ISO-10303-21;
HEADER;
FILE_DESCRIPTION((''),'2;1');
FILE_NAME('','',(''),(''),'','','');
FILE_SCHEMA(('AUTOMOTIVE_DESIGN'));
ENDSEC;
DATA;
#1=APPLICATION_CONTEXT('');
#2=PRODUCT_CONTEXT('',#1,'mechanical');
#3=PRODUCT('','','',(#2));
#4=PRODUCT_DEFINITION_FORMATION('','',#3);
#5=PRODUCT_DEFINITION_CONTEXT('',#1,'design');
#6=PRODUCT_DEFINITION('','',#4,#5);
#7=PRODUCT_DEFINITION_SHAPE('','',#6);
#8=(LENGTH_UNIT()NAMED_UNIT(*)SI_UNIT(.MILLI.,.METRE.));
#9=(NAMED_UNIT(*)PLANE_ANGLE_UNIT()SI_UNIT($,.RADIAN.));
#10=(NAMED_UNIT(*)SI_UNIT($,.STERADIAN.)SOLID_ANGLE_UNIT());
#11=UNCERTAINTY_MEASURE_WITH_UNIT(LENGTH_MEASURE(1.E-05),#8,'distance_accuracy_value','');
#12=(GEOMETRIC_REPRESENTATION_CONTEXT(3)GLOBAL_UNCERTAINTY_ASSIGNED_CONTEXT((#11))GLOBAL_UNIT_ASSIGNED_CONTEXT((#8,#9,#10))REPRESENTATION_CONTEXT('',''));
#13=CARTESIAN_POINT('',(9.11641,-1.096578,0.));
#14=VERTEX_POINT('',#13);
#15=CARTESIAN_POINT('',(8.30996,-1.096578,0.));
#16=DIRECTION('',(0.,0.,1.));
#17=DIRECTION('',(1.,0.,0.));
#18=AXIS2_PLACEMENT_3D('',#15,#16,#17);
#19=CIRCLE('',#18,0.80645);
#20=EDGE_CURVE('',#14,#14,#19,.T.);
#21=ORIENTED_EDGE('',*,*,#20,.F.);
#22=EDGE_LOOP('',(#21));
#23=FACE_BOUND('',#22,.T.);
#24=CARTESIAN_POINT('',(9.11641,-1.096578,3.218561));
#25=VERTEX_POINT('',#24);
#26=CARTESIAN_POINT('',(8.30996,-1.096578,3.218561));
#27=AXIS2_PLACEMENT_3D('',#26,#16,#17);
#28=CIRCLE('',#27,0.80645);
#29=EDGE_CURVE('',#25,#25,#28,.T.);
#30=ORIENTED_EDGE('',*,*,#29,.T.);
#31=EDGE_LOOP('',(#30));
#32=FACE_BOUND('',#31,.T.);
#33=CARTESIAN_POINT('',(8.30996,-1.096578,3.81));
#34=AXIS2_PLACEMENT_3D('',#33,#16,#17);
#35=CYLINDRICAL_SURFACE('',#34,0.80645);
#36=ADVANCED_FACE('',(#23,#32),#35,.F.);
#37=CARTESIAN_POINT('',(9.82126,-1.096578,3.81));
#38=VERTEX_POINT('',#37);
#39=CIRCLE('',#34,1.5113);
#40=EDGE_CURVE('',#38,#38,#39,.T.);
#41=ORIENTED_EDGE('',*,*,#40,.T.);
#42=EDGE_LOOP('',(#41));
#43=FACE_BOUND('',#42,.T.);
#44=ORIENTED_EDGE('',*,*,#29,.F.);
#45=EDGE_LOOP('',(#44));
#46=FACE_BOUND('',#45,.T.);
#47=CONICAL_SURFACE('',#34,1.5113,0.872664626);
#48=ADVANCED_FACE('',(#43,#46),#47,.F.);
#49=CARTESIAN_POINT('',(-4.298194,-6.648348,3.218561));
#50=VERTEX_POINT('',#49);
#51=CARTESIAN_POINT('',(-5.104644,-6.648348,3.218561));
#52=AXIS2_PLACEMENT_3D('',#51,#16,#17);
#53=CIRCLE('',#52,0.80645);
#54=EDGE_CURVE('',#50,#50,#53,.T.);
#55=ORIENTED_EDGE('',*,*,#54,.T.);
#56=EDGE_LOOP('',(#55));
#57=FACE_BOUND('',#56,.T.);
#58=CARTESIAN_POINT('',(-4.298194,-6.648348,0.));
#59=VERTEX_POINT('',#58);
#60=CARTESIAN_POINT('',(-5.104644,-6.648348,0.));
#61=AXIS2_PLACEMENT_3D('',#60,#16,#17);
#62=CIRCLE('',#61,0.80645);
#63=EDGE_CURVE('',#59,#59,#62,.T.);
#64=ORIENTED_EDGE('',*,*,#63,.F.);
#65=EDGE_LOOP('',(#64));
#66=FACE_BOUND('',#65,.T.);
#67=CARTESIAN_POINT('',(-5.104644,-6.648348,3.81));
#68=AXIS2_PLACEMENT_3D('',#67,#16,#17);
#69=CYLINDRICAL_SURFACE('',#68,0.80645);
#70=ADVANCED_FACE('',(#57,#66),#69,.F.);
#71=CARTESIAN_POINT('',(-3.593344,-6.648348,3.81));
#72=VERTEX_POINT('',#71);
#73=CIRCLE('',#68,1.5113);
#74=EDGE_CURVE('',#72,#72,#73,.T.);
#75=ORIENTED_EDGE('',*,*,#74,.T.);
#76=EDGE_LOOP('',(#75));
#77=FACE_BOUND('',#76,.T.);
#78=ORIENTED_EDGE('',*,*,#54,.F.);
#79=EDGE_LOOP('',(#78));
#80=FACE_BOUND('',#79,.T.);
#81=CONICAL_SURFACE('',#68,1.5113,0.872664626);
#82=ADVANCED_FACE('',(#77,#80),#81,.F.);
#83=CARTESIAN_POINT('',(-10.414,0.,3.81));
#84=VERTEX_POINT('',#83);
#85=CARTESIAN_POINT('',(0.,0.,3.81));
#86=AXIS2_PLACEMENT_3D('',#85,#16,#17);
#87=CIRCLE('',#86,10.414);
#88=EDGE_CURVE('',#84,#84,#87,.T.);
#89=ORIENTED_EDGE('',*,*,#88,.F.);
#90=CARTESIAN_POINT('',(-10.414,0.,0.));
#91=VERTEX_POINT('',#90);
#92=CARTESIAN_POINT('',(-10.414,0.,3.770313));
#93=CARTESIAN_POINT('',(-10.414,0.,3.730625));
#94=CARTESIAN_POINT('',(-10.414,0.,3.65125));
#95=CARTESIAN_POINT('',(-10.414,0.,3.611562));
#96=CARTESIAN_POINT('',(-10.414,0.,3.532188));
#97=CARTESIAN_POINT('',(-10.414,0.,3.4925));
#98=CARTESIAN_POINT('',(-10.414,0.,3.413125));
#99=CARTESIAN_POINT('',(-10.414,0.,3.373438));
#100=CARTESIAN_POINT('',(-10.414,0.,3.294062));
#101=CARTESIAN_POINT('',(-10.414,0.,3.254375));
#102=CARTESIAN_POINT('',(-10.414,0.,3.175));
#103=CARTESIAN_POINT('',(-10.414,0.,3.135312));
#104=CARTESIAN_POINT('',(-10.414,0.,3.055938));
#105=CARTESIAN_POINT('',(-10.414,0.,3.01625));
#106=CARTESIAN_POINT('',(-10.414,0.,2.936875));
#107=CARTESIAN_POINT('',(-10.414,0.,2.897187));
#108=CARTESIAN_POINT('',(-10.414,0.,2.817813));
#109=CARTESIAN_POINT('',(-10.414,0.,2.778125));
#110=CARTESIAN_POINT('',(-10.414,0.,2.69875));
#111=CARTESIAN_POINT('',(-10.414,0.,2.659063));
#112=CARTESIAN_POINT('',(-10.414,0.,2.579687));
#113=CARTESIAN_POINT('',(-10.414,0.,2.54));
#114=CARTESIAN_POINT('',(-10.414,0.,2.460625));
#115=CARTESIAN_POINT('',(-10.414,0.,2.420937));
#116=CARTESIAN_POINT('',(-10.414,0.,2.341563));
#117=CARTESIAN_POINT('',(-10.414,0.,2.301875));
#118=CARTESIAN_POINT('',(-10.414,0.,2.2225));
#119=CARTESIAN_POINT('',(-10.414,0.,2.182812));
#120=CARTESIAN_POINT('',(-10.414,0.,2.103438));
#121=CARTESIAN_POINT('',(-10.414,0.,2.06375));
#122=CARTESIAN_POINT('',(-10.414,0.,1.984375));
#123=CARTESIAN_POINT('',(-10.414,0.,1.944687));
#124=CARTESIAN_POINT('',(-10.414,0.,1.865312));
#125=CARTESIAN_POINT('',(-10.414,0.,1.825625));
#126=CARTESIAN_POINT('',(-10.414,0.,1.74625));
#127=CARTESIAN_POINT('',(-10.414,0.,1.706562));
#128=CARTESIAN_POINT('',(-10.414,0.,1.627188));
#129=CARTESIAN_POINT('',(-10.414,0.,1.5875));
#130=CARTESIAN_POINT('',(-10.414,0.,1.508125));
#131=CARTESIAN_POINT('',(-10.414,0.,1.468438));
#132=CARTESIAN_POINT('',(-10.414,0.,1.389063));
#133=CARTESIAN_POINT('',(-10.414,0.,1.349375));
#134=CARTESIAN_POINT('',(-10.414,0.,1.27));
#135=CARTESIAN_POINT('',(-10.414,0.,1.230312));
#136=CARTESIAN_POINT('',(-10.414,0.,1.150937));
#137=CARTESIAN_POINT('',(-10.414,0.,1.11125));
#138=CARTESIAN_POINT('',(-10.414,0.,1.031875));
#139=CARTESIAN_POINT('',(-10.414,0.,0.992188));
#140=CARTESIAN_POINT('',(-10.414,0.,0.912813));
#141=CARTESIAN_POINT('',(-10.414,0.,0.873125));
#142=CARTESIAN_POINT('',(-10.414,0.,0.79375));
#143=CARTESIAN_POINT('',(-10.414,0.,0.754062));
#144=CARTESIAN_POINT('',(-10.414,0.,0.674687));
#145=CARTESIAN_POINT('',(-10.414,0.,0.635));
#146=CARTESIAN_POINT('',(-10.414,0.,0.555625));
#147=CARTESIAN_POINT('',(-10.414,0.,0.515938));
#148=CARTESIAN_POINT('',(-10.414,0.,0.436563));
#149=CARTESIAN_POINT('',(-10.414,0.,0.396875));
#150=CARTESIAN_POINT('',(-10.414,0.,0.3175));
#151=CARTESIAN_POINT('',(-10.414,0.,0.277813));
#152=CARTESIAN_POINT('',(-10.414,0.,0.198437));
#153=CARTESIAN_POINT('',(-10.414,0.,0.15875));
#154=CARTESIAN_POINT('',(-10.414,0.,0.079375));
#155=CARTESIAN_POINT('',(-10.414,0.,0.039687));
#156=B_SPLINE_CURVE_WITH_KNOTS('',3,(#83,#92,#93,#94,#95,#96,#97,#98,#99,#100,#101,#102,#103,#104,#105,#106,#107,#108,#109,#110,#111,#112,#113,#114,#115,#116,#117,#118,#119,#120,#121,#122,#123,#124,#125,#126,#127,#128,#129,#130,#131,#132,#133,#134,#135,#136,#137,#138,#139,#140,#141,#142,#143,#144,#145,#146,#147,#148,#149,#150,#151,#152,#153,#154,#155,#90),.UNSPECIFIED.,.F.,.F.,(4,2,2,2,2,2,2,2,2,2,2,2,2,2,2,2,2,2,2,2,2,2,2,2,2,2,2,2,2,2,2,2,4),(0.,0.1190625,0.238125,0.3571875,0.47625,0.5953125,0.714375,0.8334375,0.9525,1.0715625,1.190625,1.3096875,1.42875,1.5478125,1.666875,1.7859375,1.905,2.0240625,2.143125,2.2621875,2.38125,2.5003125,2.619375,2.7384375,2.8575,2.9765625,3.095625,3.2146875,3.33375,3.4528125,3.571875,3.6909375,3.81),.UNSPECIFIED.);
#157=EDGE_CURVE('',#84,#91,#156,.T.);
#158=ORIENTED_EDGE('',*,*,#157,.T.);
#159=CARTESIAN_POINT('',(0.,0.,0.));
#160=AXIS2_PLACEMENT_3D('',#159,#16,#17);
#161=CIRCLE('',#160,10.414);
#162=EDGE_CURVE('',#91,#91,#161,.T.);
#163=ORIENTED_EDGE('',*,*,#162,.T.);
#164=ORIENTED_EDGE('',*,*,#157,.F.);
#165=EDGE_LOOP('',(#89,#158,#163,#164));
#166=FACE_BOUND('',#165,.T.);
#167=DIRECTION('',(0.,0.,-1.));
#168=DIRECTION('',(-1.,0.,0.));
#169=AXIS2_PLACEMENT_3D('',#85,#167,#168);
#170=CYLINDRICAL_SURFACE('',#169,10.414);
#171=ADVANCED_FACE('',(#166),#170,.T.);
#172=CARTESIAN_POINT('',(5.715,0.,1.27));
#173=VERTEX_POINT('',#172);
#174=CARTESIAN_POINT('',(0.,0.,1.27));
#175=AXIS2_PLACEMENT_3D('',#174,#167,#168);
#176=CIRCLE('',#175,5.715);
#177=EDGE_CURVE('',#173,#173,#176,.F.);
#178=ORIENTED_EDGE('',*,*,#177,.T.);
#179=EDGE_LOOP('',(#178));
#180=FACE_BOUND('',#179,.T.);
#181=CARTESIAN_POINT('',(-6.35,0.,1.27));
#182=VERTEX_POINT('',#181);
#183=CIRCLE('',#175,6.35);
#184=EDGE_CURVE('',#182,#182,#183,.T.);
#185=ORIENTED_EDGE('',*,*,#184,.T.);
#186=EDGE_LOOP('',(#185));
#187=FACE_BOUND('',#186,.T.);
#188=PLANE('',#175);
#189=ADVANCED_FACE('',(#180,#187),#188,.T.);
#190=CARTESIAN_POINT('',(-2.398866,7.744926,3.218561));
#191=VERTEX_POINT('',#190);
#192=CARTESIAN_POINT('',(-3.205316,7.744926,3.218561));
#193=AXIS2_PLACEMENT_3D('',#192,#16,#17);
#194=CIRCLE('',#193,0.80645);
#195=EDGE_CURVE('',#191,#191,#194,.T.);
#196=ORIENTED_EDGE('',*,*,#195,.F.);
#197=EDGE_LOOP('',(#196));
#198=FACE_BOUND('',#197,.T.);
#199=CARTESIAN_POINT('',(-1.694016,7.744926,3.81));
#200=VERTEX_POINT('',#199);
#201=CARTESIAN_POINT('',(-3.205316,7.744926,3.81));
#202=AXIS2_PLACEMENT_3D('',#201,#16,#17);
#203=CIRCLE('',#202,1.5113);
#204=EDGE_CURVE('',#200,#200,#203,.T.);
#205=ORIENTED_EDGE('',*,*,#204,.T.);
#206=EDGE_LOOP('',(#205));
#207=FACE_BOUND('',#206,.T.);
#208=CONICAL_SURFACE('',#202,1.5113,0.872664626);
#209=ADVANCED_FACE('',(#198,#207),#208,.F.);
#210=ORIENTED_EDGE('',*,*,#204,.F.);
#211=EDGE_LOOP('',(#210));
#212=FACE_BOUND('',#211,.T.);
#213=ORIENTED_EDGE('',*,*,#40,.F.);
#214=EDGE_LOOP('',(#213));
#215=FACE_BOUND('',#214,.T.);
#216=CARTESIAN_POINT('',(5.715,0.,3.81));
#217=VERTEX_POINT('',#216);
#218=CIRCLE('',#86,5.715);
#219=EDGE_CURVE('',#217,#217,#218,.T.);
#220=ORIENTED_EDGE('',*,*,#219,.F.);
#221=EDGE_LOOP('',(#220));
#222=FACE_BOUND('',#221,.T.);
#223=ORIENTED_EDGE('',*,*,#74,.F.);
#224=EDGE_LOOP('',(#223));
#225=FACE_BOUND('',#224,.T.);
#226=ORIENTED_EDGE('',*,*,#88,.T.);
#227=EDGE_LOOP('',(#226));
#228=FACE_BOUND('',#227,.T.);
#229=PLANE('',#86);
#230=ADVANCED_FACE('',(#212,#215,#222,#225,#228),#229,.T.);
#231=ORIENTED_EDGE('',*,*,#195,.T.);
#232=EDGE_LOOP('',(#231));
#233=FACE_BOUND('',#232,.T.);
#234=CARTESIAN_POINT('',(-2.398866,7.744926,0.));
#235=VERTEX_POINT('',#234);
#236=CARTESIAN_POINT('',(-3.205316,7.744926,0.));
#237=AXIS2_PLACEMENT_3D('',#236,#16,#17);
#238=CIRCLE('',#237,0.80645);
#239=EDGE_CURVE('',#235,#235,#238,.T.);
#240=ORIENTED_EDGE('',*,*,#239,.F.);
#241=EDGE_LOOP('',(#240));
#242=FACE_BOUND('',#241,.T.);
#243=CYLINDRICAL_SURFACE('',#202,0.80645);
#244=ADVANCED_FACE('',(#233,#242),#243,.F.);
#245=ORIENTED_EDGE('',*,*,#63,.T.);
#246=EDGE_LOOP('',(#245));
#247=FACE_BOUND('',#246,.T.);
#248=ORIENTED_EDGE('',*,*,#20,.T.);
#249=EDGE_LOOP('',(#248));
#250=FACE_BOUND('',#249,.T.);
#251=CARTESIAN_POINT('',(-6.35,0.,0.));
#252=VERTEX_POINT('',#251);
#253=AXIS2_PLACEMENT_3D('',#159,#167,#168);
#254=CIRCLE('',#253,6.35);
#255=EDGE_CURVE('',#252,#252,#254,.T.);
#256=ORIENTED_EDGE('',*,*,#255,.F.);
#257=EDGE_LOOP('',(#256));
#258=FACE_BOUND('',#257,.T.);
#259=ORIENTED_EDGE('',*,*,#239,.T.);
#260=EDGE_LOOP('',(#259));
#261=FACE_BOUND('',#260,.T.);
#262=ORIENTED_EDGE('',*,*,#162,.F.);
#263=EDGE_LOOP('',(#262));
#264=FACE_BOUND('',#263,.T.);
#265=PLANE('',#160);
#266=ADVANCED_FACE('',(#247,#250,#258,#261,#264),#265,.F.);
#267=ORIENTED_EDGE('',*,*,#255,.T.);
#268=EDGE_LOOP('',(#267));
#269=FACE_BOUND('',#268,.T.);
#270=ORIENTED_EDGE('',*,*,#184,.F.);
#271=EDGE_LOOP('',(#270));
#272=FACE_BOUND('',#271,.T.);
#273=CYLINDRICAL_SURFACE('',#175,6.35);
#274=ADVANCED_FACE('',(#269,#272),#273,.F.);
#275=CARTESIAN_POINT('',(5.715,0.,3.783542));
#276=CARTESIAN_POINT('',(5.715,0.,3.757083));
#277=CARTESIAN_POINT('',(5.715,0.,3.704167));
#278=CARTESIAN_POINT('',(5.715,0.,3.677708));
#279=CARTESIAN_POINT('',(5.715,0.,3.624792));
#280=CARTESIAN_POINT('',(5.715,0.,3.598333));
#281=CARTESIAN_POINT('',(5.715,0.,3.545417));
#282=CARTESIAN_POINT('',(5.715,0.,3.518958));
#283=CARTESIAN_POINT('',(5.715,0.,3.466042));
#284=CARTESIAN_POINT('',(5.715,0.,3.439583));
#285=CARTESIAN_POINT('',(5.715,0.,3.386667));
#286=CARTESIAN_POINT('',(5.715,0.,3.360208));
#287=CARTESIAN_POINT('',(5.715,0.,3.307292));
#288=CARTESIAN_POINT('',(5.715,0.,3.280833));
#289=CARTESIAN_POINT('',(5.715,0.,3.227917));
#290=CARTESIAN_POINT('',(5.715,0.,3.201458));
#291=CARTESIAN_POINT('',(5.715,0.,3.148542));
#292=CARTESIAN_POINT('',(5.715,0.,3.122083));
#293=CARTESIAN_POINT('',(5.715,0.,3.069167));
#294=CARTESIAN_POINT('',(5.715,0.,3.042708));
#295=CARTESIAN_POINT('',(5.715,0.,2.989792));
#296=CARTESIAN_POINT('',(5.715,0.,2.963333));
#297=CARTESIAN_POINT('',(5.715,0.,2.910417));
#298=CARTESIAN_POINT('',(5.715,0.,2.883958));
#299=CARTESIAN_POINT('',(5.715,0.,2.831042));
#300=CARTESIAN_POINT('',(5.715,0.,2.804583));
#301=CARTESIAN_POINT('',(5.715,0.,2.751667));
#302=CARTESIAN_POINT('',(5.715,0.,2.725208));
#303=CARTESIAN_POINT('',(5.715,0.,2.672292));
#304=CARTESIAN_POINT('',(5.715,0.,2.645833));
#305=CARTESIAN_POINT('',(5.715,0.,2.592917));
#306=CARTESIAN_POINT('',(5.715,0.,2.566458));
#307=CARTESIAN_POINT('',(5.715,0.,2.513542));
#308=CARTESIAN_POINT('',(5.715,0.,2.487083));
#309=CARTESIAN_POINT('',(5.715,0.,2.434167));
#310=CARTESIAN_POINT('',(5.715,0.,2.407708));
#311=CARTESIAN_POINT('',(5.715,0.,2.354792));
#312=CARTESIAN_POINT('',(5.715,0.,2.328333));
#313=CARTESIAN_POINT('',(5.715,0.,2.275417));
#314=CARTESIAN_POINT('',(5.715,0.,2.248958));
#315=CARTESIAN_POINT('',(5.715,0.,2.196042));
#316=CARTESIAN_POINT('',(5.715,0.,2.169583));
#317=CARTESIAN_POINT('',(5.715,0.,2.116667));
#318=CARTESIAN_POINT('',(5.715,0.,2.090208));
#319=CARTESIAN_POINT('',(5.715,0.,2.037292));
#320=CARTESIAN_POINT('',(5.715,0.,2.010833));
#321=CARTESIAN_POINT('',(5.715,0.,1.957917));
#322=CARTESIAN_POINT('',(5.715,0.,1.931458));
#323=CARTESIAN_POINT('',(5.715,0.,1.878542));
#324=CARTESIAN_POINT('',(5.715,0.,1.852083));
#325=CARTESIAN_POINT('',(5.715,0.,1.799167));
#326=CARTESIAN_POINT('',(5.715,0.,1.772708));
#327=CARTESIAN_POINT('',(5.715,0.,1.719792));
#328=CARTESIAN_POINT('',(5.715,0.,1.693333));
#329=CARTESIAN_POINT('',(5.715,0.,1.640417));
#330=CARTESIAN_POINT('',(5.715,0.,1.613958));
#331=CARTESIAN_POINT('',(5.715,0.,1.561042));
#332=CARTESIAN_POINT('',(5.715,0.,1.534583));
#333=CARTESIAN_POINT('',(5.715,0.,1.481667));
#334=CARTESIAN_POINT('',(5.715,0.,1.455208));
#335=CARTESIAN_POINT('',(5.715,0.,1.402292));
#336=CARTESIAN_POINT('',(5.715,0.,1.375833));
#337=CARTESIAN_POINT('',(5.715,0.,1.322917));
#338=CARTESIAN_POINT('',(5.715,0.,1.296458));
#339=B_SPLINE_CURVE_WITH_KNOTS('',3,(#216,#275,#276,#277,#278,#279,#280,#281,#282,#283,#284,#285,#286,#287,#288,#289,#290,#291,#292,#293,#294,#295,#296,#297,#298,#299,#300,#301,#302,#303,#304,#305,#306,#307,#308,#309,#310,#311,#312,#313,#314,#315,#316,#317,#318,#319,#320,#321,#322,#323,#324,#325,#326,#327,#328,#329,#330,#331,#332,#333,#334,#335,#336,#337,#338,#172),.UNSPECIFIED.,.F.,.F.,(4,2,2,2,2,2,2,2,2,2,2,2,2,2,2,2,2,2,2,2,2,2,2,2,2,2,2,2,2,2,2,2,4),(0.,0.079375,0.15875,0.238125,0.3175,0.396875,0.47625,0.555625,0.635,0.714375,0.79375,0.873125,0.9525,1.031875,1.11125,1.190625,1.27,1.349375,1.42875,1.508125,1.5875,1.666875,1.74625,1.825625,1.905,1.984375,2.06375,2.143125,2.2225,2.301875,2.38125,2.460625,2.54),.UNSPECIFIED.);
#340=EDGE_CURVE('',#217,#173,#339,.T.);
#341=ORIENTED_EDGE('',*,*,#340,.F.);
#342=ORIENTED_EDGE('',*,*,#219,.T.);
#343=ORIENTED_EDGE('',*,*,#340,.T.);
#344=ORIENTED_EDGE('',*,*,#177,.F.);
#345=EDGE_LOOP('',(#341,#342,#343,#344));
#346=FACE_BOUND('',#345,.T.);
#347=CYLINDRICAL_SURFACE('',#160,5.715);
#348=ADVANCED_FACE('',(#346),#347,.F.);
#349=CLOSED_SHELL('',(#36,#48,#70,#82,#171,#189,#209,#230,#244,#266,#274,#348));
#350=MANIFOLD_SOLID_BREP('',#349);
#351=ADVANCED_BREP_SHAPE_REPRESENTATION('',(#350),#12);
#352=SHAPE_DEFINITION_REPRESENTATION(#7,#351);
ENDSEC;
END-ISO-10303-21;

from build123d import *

# Parameters (mm, degrees)
SKETCH1_R                                         = 10.414
BOSS_EXTRUDE1_DEPTH                               = 3.81
SKETCH2_R                                         = 5.715
CUT_EXTRUDE1_DEPTH                                = 16.212458447
SKETCH3_R                                         = 6.35
CUT_EXTRUDE3_DEPTH                                = 1.27
CSK_FOR_0_FLAT_HEAD_MACHINE_SCREW_100_D           = 1.6129
CSK_FOR_0_FLAT_HEAD_MACHINE_SCREW_100_CSINK_D     = 3.0226
CSK_FOR_0_FLAT_HEAD_MACHINE_SCREW_100_CSINK_ANGLE = 100
CIRPATTERN1_COUNT                                 = 3


with BuildPart() as part:
    # Sketch1 → Boss-Extrude1 (new body)
    with BuildSketch(Plane.XY):
        with Locations(Location((0, 0, 0), (0, 0, 180))):
            Circle(SKETCH1_R)
    extrude(amount=BOSS_EXTRUDE1_DEPTH)

    # Sketch2 → Cut-Extrude1 (cut, through all)
    with BuildSketch(Plane.XY.offset(3.81)):
        Circle(SKETCH2_R)
    extrude(amount=-CUT_EXTRUDE1_DEPTH, mode=Mode.SUBTRACT)

    # Sketch3 → Cut-Extrude3 (cut)
    with BuildSketch(Plane(origin=(0, 0, 0), x_dir=(-1, 0, 0), z_dir=(0, 0, -1))):
        Circle(SKETCH3_R)
    extrude(amount=-CUT_EXTRUDE3_DEPTH, mode=Mode.SUBTRACT)

    # CSK for #0 Flat Head Machine Screw (100)1 (through all)
    with Locations(Plane.XY.offset(3.81)):
        with Locations((-5.104644358, -6.648347913)):
            csk_for_0_flat_head_machine_screw_100 = CounterSinkHole(CSK_FOR_0_FLAT_HEAD_MACHINE_SCREW_100_D / 2, CSK_FOR_0_FLAT_HEAD_MACHINE_SCREW_100_CSINK_D / 2, counter_sink_angle=CSK_FOR_0_FLAT_HEAD_MACHINE_SCREW_100_CSINK_ANGLE)

    # CirPattern1: CSK for #0 Flat Head Machine Screw (100)1 ×3 about axis
    cirpattern1_axis = Axis((0, 0, 0), (0, 0, 1))
    for i in range(1, CIRPATTERN1_COUNT):
        add(csk_for_0_flat_head_machine_screw_100.rotate(cirpattern1_axis, i * 360 / CIRPATTERN1_COUNT), mode=Mode.SUBTRACT)


solid = part.part
